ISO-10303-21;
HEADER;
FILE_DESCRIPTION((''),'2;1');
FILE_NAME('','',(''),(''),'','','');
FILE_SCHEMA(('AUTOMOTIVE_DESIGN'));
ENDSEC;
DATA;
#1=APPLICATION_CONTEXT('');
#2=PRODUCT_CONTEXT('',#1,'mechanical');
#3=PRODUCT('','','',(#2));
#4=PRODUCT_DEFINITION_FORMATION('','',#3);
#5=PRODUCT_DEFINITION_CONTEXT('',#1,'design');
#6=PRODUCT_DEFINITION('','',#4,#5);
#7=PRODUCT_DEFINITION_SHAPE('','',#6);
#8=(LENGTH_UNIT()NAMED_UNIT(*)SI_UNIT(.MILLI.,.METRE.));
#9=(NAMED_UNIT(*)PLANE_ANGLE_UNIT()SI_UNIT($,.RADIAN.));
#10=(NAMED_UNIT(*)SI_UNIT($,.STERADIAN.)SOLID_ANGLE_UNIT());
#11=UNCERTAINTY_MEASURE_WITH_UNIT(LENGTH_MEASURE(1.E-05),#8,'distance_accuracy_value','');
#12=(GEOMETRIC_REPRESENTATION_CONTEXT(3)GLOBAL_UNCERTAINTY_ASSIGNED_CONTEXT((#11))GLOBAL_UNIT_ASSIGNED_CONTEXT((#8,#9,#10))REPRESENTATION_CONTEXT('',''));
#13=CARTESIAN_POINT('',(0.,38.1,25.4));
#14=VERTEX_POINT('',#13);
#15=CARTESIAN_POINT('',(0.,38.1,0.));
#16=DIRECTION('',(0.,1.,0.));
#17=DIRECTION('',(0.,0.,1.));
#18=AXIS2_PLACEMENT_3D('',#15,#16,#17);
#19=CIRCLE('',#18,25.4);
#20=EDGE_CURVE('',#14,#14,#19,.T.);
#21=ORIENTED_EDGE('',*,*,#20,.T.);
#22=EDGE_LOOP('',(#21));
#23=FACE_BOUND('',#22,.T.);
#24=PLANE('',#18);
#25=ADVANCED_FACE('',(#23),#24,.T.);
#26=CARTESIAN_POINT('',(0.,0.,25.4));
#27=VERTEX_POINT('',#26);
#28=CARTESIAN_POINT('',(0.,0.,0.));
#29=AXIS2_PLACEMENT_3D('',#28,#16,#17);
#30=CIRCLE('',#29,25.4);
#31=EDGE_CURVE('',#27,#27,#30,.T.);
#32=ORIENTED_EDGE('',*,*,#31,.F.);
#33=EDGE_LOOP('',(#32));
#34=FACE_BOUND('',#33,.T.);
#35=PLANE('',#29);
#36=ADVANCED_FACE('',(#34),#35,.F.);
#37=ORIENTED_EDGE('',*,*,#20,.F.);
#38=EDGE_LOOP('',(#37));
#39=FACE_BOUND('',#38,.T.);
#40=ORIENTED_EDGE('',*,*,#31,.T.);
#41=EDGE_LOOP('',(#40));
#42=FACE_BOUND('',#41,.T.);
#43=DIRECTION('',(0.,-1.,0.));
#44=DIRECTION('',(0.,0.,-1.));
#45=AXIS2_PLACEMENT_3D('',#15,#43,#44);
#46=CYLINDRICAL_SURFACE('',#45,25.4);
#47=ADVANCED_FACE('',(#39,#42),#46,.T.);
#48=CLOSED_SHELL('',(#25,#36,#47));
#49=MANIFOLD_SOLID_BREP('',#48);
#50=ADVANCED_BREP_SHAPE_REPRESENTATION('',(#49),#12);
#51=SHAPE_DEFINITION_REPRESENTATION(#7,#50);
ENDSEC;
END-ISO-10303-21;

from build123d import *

# Parameters (mm, degrees)
SKETCH2_R           = 25.4
BOSS_EXTRUDE1_DEPTH = 38.1


with BuildPart() as part:
    # Sketch2 → Boss-Extrude1 (new body)
    with BuildSketch(Plane(origin=(0, 0, 0), x_dir=(1, 0, 0), z_dir=(0, 1, 0))):
        Circle(SKETCH2_R)
    extrude(amount=BOSS_EXTRUDE1_DEPTH)


solid = part.part
